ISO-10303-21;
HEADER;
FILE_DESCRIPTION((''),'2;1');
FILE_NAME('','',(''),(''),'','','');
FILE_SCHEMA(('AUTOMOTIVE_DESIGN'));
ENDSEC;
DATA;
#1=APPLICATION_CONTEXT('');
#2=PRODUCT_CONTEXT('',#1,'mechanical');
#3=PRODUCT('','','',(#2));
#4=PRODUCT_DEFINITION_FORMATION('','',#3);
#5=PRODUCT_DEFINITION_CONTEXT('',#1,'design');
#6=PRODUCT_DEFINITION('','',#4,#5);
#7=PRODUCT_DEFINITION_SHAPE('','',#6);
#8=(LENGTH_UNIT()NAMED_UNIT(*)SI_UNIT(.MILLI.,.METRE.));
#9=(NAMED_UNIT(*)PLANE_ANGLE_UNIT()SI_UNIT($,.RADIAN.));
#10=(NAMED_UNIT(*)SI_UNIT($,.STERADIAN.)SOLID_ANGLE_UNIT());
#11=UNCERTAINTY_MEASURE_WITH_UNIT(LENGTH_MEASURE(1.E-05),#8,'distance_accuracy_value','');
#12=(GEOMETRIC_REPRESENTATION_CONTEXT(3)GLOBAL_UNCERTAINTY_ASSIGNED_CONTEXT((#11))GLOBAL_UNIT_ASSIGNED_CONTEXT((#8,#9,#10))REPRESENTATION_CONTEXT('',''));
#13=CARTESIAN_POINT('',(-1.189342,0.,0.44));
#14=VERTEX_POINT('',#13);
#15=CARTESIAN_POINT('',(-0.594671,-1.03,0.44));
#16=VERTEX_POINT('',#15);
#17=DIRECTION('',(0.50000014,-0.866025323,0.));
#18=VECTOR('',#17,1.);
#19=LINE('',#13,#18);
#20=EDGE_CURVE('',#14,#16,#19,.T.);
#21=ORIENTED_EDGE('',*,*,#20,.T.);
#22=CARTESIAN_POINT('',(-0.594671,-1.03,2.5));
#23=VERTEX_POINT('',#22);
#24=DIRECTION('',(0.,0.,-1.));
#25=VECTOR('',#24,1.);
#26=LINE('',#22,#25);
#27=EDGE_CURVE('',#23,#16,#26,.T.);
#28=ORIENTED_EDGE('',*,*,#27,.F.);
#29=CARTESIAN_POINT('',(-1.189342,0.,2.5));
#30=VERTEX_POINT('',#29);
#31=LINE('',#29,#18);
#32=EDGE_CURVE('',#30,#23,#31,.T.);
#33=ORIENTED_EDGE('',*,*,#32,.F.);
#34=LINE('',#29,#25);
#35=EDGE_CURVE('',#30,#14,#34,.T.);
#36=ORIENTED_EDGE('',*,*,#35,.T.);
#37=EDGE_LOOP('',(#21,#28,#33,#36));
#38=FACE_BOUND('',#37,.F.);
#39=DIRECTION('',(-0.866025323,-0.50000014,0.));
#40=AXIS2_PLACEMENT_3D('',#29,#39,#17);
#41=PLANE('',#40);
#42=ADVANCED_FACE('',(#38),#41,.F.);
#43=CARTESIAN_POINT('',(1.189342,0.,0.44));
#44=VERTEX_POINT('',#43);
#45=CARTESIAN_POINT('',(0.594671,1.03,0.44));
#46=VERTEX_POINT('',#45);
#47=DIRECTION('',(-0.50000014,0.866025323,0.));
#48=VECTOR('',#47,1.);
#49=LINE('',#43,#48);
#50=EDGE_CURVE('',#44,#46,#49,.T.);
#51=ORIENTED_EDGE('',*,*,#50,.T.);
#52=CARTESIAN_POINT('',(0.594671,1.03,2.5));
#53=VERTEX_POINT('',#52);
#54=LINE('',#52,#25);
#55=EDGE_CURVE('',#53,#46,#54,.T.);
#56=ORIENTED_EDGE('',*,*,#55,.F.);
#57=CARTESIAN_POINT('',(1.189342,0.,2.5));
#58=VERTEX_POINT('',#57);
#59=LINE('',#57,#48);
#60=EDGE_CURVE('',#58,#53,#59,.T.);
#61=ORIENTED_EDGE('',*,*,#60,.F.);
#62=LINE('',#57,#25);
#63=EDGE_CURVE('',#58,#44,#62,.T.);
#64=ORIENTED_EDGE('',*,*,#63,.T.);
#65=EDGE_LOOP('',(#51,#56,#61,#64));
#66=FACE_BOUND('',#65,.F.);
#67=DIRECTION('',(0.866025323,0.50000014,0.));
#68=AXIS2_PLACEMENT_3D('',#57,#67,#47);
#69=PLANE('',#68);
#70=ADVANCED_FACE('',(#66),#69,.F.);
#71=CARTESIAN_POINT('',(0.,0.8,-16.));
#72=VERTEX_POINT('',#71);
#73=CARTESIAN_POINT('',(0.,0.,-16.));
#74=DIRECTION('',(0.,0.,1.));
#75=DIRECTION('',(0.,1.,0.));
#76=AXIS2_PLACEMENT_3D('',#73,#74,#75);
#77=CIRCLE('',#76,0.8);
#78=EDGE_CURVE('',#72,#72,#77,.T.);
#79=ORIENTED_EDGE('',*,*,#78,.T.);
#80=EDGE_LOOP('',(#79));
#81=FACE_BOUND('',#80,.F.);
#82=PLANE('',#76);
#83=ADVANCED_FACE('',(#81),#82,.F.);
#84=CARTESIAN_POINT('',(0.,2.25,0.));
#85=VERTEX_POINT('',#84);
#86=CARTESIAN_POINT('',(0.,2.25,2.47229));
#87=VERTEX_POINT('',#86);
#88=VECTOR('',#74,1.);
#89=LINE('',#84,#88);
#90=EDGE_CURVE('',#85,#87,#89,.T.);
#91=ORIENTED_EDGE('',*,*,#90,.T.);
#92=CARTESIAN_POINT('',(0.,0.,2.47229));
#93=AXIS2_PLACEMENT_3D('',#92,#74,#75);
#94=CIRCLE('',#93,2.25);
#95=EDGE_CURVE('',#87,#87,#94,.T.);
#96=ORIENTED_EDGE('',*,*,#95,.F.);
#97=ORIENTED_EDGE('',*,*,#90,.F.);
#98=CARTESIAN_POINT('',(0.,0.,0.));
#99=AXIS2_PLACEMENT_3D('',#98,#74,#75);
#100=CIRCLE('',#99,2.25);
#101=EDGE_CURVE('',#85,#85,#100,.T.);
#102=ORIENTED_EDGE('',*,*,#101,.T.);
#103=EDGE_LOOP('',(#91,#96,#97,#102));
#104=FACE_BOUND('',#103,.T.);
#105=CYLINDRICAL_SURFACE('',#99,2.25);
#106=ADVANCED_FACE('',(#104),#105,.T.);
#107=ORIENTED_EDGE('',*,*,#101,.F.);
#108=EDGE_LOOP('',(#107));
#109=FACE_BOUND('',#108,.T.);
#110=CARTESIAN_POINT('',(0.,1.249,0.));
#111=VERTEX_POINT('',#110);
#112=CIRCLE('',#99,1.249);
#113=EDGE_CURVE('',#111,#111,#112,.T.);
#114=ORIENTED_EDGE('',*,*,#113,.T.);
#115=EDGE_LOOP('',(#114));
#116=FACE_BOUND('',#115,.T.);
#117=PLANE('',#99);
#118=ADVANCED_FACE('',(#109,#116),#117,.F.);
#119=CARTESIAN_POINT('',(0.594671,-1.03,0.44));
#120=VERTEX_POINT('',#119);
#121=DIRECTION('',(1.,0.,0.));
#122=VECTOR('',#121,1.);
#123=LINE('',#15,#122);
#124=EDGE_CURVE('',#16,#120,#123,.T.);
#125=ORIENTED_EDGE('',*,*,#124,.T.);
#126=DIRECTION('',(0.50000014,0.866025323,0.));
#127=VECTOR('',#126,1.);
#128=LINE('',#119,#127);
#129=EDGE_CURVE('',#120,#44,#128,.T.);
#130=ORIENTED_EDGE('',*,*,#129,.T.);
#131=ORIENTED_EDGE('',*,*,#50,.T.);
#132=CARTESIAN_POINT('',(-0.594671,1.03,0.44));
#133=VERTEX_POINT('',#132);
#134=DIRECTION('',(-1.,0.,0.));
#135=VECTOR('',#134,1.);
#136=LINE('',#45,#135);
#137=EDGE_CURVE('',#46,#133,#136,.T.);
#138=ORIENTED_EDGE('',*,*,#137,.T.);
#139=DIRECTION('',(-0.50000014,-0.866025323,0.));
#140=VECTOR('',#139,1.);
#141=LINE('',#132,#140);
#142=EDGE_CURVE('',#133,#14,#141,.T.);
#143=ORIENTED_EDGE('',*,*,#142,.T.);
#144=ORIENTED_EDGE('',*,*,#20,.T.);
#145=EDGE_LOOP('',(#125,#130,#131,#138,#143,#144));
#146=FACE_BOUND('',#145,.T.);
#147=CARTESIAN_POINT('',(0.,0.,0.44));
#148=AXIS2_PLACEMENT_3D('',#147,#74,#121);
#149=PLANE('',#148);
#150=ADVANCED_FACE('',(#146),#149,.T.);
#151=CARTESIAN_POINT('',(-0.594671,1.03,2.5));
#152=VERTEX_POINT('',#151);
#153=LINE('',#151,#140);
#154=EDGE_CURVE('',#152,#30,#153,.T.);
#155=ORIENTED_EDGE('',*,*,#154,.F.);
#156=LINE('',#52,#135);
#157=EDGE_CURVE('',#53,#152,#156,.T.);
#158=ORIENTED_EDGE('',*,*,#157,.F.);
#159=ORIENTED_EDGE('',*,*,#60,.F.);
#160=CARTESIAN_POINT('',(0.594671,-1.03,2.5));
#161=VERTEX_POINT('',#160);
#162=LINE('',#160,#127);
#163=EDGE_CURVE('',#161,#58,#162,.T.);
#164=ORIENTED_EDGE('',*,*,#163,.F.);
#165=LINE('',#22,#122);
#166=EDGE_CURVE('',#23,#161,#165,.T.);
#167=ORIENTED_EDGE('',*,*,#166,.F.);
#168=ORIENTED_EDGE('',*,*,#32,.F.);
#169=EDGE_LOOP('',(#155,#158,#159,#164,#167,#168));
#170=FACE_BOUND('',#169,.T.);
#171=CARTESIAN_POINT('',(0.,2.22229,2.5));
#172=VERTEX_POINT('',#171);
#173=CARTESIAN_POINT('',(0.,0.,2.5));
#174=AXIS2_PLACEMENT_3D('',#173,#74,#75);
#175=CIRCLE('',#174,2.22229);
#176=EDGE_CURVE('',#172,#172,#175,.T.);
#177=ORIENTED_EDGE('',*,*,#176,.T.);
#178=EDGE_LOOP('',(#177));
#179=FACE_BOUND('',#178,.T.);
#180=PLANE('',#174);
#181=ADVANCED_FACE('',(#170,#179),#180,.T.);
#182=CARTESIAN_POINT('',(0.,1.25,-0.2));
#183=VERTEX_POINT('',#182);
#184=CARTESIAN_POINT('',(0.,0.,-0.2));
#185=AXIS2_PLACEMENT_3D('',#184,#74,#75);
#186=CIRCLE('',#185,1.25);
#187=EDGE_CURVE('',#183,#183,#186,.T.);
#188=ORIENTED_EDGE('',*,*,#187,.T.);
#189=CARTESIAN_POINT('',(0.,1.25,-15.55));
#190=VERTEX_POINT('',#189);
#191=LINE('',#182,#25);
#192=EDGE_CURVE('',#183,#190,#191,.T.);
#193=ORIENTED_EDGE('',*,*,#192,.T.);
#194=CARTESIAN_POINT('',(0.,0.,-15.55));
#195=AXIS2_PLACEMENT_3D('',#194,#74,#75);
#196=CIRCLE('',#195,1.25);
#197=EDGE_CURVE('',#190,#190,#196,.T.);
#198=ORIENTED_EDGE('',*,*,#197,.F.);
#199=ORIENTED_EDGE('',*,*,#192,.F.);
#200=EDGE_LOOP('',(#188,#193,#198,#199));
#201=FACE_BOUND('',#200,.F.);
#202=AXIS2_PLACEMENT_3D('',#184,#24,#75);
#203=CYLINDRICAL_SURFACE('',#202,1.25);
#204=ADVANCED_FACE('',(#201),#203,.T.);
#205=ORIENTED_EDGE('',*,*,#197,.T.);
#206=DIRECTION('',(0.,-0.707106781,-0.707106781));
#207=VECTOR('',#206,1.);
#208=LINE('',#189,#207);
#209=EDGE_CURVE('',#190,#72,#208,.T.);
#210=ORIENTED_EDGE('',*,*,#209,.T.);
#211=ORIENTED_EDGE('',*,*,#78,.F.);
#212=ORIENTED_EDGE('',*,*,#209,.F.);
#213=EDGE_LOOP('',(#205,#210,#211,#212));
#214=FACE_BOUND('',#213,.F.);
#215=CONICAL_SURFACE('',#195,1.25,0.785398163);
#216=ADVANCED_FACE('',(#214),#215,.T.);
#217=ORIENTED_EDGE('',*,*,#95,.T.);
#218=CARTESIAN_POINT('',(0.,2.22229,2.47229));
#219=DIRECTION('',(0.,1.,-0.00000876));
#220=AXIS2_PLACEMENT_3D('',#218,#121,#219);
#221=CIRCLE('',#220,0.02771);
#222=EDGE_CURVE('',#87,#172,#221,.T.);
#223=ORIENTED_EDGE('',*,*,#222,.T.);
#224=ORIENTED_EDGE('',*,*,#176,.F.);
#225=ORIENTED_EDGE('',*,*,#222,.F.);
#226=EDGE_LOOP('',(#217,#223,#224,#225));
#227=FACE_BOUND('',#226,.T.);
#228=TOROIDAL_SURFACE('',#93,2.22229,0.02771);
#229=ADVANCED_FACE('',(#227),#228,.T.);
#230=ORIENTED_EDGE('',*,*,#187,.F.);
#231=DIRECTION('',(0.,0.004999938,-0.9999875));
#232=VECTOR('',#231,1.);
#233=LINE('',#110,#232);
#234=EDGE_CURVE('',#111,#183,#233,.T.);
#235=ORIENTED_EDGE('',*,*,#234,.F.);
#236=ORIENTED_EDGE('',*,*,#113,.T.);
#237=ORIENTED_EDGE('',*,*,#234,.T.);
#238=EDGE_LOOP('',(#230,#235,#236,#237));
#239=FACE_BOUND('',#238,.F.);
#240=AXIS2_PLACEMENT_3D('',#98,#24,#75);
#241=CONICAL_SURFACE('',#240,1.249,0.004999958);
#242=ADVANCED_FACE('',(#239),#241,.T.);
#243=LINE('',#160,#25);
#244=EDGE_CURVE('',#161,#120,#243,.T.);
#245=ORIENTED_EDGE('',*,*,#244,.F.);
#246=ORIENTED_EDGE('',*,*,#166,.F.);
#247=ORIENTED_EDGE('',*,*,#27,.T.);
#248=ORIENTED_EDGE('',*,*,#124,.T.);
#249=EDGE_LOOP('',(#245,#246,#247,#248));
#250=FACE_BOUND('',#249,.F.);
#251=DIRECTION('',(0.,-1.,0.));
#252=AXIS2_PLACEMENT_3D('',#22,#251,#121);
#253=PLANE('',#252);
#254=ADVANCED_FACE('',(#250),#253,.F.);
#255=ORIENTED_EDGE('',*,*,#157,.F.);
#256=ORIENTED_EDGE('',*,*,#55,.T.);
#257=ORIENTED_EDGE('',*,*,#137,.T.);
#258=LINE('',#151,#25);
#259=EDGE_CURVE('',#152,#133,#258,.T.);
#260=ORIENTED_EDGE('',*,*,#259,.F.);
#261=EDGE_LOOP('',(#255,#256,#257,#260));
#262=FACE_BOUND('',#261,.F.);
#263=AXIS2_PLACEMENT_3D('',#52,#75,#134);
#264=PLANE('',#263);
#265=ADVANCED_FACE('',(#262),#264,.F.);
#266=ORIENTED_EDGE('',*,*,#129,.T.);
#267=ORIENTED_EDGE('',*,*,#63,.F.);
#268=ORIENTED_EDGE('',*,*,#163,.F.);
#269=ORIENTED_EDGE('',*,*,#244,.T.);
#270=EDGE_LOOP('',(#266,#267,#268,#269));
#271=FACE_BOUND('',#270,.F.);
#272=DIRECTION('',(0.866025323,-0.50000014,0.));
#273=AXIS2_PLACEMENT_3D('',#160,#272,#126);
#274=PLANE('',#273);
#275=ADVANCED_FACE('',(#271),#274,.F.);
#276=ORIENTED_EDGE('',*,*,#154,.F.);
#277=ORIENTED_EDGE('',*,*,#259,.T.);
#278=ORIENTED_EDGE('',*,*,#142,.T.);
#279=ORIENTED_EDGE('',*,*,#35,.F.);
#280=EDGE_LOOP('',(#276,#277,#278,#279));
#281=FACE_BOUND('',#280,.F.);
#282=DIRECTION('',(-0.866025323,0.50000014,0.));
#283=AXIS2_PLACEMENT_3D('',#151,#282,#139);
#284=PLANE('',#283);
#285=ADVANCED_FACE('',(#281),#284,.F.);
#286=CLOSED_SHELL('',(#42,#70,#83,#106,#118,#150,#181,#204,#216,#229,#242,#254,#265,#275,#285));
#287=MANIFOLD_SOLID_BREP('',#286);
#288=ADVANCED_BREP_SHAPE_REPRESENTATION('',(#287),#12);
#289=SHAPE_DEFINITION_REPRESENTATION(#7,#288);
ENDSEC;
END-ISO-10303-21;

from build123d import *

# Parameters (mm, degrees)
POCKET_DEPTH = 2.06


with BuildPart() as part:
    # Sketch → Revolve (revolve)
    with BuildSketch(Plane.YZ):
        with BuildLine():
            Line((1.249, 0), (2.25, 0))
            Line((2.25, 0), (2.25, 2.47229))
            ThreePointArc((2.25, 2.47229), (2.241884, 2.491884), (2.22229, 2.5))
            Line((2.22229, 2.5), (0, 2.5))
            Line((0, -16), (0, 2.5))
            Line((0.8, -16), (0, -16))
            Line((1.25, -15.55), (0.8, -16))
            Line((1.25, -0.2), (1.25, -15.55))
            Line((1.249, 0), (1.25, -0.2))
        make_face()
    revolve(axis=Axis((0, 0, 0), (0, 0, 1)))

    # Sketch001 → Pocket (cut)
    with BuildSketch(Plane.XY.offset(2.5)):
        Polygon((1.189342, 0), (0.594671, 1.03), (-0.594671, 1.03), (-1.189342, 0), (-0.594671, -1.03), (0.594671, -1.03), align=None)
    extrude(amount=-POCKET_DEPTH, mode=Mode.SUBTRACT)


solid = part.part
